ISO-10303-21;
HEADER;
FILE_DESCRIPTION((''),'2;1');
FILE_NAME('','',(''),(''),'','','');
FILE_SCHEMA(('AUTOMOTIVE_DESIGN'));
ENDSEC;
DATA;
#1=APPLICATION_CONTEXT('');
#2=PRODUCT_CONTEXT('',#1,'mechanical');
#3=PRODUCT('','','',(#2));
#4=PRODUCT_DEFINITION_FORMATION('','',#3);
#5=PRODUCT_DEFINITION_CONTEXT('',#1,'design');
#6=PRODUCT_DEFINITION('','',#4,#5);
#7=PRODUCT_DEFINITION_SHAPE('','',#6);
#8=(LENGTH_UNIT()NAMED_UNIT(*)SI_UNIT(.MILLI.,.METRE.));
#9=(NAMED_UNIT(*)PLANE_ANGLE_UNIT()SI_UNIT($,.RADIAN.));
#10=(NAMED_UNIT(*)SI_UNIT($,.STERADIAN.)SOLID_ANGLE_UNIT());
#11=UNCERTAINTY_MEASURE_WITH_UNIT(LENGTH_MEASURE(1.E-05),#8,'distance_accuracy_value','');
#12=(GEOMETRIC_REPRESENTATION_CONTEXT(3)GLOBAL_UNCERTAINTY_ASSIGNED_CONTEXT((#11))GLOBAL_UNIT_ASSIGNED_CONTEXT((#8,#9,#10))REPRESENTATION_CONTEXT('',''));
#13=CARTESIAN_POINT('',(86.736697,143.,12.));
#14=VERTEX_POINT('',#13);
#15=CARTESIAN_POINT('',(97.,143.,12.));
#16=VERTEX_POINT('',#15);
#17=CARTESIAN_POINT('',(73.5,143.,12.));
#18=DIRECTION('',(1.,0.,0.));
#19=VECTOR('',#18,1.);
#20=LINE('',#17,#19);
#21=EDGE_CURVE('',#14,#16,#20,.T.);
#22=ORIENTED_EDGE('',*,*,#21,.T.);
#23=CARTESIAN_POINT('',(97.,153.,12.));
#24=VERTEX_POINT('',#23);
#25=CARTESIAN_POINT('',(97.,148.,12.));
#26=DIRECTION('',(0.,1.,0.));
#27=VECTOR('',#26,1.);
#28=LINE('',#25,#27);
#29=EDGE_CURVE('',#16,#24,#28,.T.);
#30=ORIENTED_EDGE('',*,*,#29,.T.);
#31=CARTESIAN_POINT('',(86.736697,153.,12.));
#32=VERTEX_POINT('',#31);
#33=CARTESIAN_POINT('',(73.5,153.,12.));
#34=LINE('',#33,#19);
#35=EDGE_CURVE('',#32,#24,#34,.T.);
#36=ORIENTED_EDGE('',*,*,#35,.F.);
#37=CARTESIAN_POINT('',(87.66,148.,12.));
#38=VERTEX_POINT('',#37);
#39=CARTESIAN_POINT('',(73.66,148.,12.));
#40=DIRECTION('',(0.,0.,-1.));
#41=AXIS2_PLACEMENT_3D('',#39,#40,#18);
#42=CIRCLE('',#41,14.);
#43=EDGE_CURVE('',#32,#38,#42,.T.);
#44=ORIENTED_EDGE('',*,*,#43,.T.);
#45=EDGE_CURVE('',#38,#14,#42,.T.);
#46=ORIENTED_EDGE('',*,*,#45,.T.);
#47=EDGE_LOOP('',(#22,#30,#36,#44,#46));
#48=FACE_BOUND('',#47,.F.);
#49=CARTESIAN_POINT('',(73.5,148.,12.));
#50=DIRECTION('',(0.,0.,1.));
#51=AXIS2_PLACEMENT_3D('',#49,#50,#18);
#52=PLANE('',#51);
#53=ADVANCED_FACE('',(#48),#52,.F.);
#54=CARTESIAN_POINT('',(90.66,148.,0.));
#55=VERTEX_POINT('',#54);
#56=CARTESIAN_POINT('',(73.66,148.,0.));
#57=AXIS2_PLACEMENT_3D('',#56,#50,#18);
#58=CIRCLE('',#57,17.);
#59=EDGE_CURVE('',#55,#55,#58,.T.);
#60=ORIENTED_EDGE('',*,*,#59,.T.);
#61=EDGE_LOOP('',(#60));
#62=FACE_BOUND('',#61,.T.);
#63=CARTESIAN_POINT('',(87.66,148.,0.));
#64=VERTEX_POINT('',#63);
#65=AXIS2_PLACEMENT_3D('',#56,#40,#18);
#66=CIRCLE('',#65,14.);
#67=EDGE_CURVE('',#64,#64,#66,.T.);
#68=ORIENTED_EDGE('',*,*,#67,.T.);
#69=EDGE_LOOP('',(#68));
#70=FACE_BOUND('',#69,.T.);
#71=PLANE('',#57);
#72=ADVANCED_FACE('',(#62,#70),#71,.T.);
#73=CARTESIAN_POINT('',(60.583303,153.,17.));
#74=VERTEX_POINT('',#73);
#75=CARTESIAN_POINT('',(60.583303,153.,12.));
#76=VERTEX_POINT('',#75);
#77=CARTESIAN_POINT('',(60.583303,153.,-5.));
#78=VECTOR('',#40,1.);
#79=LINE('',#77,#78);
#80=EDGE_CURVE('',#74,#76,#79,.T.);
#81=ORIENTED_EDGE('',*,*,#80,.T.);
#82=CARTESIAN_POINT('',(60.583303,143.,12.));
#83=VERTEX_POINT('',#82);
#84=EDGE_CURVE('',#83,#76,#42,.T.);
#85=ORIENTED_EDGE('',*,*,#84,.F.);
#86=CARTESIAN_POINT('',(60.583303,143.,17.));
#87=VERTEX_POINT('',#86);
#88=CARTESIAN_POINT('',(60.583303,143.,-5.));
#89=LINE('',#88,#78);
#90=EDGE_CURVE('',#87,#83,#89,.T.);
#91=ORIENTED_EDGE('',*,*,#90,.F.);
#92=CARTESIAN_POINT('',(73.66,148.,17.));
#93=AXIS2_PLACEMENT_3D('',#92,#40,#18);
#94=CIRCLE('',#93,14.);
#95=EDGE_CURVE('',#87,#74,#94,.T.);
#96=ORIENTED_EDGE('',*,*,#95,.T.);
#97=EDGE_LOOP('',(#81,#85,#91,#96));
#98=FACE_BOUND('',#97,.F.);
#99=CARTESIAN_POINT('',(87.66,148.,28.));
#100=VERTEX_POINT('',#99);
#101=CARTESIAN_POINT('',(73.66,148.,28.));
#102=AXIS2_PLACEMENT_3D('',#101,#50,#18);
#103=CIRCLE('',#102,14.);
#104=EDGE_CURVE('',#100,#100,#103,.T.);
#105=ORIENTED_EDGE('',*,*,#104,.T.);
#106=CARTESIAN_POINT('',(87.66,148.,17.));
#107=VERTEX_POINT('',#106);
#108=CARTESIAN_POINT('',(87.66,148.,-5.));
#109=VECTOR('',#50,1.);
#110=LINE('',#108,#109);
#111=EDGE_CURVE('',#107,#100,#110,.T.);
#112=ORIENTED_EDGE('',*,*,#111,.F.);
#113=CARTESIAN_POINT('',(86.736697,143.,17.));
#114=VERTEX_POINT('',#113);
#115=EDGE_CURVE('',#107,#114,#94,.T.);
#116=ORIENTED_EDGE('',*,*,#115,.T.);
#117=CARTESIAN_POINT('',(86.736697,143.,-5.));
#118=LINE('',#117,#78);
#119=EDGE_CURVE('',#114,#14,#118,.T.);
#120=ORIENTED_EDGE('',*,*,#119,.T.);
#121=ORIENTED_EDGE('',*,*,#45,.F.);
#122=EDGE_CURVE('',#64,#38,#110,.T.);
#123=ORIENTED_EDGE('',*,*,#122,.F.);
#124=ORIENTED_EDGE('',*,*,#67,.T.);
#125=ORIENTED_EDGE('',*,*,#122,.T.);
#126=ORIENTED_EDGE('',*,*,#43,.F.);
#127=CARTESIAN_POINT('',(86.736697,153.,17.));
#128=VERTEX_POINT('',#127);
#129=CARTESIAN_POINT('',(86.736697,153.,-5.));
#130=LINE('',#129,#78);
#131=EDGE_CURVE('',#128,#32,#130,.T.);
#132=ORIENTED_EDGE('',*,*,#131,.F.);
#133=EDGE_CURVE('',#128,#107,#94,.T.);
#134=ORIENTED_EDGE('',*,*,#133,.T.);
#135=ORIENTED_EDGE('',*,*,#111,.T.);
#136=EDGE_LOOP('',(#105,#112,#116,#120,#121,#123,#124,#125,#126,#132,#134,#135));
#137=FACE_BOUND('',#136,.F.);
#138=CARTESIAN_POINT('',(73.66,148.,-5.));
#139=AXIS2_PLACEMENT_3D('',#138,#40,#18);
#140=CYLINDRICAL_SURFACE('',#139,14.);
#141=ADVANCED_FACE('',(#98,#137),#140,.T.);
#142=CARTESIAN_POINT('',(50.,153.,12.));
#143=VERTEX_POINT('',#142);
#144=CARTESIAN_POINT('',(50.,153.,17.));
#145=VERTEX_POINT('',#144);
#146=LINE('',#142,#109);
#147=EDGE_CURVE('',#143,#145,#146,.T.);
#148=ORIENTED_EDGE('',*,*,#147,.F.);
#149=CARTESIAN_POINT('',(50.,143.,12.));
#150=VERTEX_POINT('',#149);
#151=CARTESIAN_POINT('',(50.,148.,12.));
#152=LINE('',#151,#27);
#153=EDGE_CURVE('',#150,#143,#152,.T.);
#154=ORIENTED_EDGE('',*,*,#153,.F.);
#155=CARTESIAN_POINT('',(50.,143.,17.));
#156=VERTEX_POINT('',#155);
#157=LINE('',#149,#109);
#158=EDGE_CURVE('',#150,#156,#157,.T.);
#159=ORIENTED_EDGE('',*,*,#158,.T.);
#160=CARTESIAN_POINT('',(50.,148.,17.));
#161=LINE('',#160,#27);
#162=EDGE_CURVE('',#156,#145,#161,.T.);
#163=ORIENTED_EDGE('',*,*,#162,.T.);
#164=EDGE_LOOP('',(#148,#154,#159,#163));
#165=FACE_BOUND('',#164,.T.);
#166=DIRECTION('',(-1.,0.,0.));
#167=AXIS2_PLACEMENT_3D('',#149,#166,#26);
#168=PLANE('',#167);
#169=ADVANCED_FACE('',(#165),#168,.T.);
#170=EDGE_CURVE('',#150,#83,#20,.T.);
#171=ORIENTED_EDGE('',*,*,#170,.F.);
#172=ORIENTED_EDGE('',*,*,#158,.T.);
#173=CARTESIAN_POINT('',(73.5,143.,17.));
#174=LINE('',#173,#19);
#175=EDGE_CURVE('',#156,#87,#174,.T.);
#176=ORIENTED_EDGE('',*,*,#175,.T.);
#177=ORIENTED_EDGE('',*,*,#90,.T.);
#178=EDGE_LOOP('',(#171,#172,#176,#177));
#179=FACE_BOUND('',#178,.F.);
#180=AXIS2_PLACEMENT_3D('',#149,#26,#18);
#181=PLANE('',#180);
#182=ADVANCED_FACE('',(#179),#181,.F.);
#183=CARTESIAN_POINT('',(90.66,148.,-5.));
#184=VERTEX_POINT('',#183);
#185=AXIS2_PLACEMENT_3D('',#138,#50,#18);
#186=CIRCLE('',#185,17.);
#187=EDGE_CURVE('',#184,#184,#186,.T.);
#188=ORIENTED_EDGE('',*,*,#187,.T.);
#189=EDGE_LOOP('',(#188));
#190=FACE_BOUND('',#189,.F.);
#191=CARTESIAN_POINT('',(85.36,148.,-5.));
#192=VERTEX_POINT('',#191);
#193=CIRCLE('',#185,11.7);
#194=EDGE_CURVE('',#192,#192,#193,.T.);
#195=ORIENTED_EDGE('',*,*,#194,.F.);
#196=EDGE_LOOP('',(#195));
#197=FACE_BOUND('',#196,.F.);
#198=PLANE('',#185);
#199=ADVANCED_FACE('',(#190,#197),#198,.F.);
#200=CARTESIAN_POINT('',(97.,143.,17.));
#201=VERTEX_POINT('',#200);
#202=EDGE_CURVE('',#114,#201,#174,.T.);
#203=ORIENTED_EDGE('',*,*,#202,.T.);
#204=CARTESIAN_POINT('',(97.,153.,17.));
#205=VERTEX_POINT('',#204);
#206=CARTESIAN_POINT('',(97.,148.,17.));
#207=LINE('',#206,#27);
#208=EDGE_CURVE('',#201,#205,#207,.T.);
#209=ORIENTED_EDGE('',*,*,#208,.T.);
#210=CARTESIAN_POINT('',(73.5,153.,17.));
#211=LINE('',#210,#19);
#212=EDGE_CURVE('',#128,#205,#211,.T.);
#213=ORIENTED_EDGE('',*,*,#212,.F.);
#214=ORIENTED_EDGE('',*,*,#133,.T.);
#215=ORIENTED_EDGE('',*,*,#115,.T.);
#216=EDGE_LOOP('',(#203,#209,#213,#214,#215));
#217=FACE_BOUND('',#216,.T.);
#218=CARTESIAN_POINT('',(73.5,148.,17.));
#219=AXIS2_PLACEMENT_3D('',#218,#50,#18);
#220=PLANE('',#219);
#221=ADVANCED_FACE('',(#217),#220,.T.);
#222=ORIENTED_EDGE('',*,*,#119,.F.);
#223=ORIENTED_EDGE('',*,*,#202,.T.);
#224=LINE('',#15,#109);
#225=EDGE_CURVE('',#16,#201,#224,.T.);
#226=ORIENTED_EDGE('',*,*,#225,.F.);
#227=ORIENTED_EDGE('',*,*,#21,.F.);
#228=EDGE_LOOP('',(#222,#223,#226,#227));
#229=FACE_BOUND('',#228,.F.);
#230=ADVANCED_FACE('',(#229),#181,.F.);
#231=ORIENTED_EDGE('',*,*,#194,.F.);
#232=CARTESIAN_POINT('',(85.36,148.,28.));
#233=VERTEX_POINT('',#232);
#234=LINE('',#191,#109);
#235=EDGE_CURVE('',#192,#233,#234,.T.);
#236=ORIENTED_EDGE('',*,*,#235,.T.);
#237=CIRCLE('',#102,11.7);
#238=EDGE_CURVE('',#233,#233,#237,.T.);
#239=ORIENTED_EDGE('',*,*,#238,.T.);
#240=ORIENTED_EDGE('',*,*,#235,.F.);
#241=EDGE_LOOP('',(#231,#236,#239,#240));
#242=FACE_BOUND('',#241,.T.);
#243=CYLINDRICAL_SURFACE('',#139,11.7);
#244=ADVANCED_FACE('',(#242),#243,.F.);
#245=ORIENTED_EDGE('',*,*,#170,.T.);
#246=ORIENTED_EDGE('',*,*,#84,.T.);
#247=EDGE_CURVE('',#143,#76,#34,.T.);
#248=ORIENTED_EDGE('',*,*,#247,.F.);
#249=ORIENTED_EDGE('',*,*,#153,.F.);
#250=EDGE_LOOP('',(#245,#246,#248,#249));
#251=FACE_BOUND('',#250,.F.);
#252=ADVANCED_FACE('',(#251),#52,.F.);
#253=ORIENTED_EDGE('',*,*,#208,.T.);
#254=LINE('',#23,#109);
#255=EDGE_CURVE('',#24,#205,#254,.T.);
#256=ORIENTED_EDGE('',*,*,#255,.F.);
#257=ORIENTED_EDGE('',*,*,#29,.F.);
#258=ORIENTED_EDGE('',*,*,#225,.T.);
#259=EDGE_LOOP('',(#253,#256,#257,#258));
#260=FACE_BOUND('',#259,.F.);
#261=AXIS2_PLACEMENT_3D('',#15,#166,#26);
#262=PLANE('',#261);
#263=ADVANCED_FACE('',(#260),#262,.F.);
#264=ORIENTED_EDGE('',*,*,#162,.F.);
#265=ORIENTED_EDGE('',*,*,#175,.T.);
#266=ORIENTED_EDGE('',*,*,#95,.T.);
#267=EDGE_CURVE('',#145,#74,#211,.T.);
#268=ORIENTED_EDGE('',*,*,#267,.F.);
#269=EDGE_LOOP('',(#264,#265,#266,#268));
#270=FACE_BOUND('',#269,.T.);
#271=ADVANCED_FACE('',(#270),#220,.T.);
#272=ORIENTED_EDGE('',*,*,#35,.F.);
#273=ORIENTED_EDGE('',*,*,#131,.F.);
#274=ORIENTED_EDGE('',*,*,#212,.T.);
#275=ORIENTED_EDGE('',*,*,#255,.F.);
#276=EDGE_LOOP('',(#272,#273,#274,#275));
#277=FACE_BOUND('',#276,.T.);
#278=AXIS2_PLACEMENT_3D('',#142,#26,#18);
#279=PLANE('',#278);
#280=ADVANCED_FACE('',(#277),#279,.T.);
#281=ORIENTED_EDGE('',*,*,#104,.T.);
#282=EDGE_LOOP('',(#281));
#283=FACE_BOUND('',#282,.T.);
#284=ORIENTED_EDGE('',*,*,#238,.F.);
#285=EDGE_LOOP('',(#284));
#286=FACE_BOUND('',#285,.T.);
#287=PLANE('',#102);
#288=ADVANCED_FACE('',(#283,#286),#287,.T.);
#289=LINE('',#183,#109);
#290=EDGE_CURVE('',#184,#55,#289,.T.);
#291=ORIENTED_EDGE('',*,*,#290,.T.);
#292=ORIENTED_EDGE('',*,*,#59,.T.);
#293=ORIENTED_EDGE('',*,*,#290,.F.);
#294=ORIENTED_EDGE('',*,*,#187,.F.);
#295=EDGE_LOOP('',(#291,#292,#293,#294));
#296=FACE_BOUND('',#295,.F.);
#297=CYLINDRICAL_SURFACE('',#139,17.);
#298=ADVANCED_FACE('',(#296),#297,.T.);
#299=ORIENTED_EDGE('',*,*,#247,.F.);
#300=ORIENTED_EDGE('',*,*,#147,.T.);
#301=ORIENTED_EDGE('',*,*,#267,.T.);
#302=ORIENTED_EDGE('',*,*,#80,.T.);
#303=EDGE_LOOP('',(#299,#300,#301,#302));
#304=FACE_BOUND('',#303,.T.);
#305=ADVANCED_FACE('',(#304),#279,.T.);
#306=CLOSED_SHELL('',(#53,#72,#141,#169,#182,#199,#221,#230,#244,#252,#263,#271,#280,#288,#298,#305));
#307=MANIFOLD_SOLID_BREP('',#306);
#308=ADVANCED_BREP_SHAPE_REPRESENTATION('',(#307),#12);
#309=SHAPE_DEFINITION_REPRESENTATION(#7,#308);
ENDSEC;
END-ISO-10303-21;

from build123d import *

# Parameters (mm, degrees)
CYLINDER093_R     = 1.5
CYLINDER093_DEPTH = 14
CYLINDER090_R     = 11.7
CYLINDER090_DEPTH = 33
CYLINDER094_R     = 1.5
CYLINDER094_DEPTH = 14
CYLINDER088_R     = 14
CYLINDER088_DEPTH = 33
BOX016_W          = 47
BOX016_H          = 10
BOX016_DEPTH      = 5
CYLINDER084_R     = 17
CYLINDER084_DEPTH = 5


with BuildPart() as ftinsmount1:
    # Cylinder093 → Cylinder093 (new body)
    with BuildSketch(Plane(origin=(53.66, 148, -15), x_dir=(1, 0, 0), z_dir=(0, 0, 1))):
        Circle(CYLINDER093_R)
    extrude(amount=CYLINDER093_DEPTH)


with BuildPart() as ftinsinnerhole:
    # Cylinder090 → Cylinder090 (new body)
    with BuildSketch(Plane(origin=(73.66, 148, -10), x_dir=(1, 0, 0), z_dir=(0, 0, 1))):
        Circle(CYLINDER090_R)
    extrude(amount=CYLINDER090_DEPTH)


with BuildPart() as fusion039:
    # Cylinder094 → Cylinder094 (new body)
    with BuildSketch(Plane(origin=(93.66, 148, -14), x_dir=(1, 0, 0), z_dir=(0, 0, 1))):
        Circle(CYLINDER094_R)
    extrude(amount=CYLINDER094_DEPTH)

    # Fusion039: union FTInsMount1, FTInsInnerHole
    add(ftinsmount1.part)
    add(ftinsinnerhole.part)


with BuildPart() as feedthrough008:
    # Cylinder088 → Cylinder088 (new body)
    with BuildSketch(Plane(origin=(73.66, 148, -10), x_dir=(1, 0, 0), z_dir=(0, 0, 1))):
        Circle(CYLINDER088_R)
    extrude(amount=CYLINDER088_DEPTH)


with BuildPart() as ftinslug:
    # Box016 → Box016 (new body)
    with BuildSketch(Plane(origin=(50, 143, 7), x_dir=(1, 0, 0), z_dir=(0, 0, 1))):
        with Locations((23.5, 5)):
            Rectangle(BOX016_W, BOX016_H)
    extrude(amount=BOX016_DEPTH)


with BuildPart() as ftinsulator1:
    # Cylinder084 → Cylinder084 (new body)
    with BuildSketch(Plane(origin=(73.66, 148, -10), x_dir=(1, 0, 0), z_dir=(0, 0, 1))):
        Circle(CYLINDER084_R)
    extrude(amount=CYLINDER084_DEPTH)

    # Fusion038: union Feedthrough008, FTInsLug
    add(feedthrough008.part)
    add(ftinslug.part)

    # Cut010: cut Fusion039
    add(fusion039.part, mode=Mode.SUBTRACT)


with BuildPart() as ftinsulator1_1:
    # Cut010 placement: moved
    add(ftinsulator1.part.moved(Location((0, 0, 5))))


solid = ftinsulator1_1.part
